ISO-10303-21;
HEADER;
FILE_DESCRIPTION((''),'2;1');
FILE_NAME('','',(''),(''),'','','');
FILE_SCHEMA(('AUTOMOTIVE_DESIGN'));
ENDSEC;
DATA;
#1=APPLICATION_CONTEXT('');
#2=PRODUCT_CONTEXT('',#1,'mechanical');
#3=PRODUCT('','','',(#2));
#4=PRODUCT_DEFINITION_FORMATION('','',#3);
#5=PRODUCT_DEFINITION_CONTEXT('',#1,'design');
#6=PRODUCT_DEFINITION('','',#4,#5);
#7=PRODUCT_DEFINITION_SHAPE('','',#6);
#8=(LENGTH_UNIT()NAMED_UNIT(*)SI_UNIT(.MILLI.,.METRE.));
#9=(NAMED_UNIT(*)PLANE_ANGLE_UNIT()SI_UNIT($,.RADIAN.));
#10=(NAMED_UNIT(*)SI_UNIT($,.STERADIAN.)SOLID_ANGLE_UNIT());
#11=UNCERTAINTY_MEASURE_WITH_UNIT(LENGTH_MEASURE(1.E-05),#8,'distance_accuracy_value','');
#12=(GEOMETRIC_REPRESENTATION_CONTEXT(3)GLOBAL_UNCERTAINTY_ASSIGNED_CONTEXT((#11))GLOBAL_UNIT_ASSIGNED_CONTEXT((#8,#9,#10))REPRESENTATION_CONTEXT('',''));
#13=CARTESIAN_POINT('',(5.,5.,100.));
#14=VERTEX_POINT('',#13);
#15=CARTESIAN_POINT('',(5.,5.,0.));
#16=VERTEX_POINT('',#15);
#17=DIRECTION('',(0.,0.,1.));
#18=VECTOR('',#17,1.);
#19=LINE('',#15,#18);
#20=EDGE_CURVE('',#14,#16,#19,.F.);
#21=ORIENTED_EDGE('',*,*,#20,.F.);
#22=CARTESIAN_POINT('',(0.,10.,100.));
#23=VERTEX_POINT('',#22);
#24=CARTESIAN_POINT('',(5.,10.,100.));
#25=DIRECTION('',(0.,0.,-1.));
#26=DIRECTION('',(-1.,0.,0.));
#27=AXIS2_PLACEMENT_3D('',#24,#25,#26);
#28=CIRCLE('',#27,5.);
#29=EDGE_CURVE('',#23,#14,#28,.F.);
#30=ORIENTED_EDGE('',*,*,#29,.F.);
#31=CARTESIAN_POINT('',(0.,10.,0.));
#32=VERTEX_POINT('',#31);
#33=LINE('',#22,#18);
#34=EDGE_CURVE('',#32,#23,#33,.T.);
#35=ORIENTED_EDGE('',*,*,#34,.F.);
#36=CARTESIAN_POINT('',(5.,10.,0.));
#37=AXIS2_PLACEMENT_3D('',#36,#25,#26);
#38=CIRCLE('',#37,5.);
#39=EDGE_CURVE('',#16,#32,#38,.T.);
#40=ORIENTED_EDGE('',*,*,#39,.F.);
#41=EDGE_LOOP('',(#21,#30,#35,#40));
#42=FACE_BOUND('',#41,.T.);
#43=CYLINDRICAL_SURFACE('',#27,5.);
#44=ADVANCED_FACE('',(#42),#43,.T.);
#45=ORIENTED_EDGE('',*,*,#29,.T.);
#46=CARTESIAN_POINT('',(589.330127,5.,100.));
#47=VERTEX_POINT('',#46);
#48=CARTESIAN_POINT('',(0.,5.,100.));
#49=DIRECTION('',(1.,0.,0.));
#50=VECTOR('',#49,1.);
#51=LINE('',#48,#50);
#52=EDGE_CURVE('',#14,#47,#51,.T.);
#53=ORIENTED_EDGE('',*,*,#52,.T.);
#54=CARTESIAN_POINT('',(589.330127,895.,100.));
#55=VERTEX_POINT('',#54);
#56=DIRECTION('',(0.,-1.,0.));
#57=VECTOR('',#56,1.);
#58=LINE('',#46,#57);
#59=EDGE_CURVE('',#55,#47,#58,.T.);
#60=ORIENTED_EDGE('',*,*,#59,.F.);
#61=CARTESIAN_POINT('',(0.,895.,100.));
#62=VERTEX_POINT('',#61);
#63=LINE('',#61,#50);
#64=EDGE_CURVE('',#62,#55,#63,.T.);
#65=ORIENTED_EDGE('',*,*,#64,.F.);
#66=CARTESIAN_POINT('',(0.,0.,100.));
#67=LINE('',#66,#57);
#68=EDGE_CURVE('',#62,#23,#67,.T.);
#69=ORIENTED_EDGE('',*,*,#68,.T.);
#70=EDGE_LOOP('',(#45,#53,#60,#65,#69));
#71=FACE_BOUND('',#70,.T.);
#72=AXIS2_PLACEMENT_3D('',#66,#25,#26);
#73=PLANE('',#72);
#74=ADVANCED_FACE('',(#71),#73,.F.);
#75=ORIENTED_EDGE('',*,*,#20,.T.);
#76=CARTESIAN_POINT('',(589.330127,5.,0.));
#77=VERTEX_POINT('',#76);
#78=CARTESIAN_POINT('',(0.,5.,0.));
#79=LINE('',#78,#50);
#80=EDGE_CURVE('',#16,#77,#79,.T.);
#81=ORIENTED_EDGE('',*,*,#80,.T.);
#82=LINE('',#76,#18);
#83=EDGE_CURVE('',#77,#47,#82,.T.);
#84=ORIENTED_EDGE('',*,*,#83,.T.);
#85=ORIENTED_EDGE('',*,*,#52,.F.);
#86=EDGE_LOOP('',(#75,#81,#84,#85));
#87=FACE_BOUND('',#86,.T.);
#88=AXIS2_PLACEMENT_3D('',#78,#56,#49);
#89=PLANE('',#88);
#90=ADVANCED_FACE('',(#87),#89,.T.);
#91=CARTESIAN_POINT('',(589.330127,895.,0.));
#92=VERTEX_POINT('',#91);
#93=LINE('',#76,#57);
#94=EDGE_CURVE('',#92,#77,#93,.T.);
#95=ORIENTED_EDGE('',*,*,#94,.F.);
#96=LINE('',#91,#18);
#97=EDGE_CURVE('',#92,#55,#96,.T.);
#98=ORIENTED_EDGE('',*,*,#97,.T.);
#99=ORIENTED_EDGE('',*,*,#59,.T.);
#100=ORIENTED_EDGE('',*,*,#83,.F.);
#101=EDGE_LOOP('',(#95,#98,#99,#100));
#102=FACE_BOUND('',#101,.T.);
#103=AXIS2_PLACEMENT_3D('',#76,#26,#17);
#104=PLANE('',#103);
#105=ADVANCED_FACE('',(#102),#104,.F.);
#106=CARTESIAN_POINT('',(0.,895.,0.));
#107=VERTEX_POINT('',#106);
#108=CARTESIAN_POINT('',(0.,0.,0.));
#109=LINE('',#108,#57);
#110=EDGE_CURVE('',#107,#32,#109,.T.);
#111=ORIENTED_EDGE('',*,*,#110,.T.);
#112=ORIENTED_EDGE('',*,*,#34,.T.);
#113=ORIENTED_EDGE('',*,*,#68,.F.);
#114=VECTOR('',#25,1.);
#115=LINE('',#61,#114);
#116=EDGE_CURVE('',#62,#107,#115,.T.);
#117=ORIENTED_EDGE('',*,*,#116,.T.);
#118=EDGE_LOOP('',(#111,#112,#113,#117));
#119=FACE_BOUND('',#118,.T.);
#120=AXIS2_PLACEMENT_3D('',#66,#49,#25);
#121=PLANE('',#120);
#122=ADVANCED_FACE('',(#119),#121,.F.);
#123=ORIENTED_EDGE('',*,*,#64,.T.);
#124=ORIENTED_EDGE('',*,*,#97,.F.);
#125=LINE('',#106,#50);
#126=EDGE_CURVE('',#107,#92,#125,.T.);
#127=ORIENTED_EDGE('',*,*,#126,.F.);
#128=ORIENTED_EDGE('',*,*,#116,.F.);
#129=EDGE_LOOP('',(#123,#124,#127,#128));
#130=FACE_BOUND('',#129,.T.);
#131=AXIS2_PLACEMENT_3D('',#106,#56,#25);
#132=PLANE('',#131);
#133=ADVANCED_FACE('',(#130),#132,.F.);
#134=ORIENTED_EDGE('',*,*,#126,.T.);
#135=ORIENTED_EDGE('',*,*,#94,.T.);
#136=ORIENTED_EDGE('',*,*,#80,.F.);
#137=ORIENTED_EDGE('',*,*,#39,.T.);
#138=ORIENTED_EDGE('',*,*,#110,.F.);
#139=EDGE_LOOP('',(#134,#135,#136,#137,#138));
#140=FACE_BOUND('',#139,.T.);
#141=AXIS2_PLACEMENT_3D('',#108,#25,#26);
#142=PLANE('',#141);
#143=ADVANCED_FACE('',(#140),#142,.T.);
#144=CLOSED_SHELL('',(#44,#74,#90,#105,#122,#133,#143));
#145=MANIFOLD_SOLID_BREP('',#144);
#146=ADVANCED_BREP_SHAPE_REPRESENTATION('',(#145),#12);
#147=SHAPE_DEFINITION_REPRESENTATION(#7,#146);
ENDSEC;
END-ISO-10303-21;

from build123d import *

# Parameters (mm, degrees)
SKETCH1_W           = 700
SKETCH1_H           = 900
BOSS_EXTRUDE1_DEPTH = 100
SKETCH2_W           = 102.863504397
SKETCH2_H           = 900
CUT_EXTRUDE1_DEPTH  = 1145.552314226
SKETCH3_W           = 597.136495603
SKETCH3_H           = 5
CUT_EXTRUDE2_DEPTH  = 1085.69903401
FILLET1_R           = 5
SKETCH4_W           = 597.136495603
SKETCH4_H           = 5
CUT_EXTRUDE3_DEPTH  = 1085.69903401
SKETCH5_W           = 7.806368853
SKETCH5_H           = 890
CUT_EXTRUDE4_DEPTH  = 1081.554021964


with BuildPart() as part:
    # Sketch1 → Boss-Extrude1 (new body)
    with BuildSketch(Plane.XY):
        with Locations((350, 450)):
            Rectangle(SKETCH1_W, SKETCH1_H)
    extrude(amount=BOSS_EXTRUDE1_DEPTH)

    # Sketch2 → Cut-Extrude1 (cut, through all)
    with BuildSketch(Plane.XY.offset(100)):
        with Locations((648.568247802, 450)):
            Rectangle(SKETCH2_W, SKETCH2_H)
    extrude(amount=-CUT_EXTRUDE1_DEPTH, mode=Mode.SUBTRACT)

    # Sketch3 → Cut-Extrude2 (cut, through all)
    with BuildSketch(Plane.XY.offset(100)):
        with Locations((298.568247802, 2.5)):
            Rectangle(SKETCH3_W, SKETCH3_H)
    extrude(amount=-CUT_EXTRUDE2_DEPTH, mode=Mode.SUBTRACT)

    # Fillet1
    fillet1_edges = [part.edges().sort_by_distance(p)[0] for p in [
        (597.136495603, 900, 50),
        (0, 5, 50),
        (597.136495603, 5, 50),
        (0, 900, 50),
    ]]
    fillet(fillet1_edges, radius=FILLET1_R)

    # Sketch4 → Cut-Extrude3 (cut, through all)
    with BuildSketch(Plane.XY.offset(100)):
        with Locations((298.568247802, 897.5)):
            Rectangle(SKETCH4_W, SKETCH4_H)
    extrude(amount=-CUT_EXTRUDE3_DEPTH, mode=Mode.SUBTRACT)

    # Sketch5 → Cut-Extrude4 (cut, through all)
    with BuildSketch(Plane.XY.offset(100)):
        with Locations((593.233311177, 450)):
            Rectangle(SKETCH5_W, SKETCH5_H)
    extrude(amount=-CUT_EXTRUDE4_DEPTH, mode=Mode.SUBTRACT)


solid = part.part
